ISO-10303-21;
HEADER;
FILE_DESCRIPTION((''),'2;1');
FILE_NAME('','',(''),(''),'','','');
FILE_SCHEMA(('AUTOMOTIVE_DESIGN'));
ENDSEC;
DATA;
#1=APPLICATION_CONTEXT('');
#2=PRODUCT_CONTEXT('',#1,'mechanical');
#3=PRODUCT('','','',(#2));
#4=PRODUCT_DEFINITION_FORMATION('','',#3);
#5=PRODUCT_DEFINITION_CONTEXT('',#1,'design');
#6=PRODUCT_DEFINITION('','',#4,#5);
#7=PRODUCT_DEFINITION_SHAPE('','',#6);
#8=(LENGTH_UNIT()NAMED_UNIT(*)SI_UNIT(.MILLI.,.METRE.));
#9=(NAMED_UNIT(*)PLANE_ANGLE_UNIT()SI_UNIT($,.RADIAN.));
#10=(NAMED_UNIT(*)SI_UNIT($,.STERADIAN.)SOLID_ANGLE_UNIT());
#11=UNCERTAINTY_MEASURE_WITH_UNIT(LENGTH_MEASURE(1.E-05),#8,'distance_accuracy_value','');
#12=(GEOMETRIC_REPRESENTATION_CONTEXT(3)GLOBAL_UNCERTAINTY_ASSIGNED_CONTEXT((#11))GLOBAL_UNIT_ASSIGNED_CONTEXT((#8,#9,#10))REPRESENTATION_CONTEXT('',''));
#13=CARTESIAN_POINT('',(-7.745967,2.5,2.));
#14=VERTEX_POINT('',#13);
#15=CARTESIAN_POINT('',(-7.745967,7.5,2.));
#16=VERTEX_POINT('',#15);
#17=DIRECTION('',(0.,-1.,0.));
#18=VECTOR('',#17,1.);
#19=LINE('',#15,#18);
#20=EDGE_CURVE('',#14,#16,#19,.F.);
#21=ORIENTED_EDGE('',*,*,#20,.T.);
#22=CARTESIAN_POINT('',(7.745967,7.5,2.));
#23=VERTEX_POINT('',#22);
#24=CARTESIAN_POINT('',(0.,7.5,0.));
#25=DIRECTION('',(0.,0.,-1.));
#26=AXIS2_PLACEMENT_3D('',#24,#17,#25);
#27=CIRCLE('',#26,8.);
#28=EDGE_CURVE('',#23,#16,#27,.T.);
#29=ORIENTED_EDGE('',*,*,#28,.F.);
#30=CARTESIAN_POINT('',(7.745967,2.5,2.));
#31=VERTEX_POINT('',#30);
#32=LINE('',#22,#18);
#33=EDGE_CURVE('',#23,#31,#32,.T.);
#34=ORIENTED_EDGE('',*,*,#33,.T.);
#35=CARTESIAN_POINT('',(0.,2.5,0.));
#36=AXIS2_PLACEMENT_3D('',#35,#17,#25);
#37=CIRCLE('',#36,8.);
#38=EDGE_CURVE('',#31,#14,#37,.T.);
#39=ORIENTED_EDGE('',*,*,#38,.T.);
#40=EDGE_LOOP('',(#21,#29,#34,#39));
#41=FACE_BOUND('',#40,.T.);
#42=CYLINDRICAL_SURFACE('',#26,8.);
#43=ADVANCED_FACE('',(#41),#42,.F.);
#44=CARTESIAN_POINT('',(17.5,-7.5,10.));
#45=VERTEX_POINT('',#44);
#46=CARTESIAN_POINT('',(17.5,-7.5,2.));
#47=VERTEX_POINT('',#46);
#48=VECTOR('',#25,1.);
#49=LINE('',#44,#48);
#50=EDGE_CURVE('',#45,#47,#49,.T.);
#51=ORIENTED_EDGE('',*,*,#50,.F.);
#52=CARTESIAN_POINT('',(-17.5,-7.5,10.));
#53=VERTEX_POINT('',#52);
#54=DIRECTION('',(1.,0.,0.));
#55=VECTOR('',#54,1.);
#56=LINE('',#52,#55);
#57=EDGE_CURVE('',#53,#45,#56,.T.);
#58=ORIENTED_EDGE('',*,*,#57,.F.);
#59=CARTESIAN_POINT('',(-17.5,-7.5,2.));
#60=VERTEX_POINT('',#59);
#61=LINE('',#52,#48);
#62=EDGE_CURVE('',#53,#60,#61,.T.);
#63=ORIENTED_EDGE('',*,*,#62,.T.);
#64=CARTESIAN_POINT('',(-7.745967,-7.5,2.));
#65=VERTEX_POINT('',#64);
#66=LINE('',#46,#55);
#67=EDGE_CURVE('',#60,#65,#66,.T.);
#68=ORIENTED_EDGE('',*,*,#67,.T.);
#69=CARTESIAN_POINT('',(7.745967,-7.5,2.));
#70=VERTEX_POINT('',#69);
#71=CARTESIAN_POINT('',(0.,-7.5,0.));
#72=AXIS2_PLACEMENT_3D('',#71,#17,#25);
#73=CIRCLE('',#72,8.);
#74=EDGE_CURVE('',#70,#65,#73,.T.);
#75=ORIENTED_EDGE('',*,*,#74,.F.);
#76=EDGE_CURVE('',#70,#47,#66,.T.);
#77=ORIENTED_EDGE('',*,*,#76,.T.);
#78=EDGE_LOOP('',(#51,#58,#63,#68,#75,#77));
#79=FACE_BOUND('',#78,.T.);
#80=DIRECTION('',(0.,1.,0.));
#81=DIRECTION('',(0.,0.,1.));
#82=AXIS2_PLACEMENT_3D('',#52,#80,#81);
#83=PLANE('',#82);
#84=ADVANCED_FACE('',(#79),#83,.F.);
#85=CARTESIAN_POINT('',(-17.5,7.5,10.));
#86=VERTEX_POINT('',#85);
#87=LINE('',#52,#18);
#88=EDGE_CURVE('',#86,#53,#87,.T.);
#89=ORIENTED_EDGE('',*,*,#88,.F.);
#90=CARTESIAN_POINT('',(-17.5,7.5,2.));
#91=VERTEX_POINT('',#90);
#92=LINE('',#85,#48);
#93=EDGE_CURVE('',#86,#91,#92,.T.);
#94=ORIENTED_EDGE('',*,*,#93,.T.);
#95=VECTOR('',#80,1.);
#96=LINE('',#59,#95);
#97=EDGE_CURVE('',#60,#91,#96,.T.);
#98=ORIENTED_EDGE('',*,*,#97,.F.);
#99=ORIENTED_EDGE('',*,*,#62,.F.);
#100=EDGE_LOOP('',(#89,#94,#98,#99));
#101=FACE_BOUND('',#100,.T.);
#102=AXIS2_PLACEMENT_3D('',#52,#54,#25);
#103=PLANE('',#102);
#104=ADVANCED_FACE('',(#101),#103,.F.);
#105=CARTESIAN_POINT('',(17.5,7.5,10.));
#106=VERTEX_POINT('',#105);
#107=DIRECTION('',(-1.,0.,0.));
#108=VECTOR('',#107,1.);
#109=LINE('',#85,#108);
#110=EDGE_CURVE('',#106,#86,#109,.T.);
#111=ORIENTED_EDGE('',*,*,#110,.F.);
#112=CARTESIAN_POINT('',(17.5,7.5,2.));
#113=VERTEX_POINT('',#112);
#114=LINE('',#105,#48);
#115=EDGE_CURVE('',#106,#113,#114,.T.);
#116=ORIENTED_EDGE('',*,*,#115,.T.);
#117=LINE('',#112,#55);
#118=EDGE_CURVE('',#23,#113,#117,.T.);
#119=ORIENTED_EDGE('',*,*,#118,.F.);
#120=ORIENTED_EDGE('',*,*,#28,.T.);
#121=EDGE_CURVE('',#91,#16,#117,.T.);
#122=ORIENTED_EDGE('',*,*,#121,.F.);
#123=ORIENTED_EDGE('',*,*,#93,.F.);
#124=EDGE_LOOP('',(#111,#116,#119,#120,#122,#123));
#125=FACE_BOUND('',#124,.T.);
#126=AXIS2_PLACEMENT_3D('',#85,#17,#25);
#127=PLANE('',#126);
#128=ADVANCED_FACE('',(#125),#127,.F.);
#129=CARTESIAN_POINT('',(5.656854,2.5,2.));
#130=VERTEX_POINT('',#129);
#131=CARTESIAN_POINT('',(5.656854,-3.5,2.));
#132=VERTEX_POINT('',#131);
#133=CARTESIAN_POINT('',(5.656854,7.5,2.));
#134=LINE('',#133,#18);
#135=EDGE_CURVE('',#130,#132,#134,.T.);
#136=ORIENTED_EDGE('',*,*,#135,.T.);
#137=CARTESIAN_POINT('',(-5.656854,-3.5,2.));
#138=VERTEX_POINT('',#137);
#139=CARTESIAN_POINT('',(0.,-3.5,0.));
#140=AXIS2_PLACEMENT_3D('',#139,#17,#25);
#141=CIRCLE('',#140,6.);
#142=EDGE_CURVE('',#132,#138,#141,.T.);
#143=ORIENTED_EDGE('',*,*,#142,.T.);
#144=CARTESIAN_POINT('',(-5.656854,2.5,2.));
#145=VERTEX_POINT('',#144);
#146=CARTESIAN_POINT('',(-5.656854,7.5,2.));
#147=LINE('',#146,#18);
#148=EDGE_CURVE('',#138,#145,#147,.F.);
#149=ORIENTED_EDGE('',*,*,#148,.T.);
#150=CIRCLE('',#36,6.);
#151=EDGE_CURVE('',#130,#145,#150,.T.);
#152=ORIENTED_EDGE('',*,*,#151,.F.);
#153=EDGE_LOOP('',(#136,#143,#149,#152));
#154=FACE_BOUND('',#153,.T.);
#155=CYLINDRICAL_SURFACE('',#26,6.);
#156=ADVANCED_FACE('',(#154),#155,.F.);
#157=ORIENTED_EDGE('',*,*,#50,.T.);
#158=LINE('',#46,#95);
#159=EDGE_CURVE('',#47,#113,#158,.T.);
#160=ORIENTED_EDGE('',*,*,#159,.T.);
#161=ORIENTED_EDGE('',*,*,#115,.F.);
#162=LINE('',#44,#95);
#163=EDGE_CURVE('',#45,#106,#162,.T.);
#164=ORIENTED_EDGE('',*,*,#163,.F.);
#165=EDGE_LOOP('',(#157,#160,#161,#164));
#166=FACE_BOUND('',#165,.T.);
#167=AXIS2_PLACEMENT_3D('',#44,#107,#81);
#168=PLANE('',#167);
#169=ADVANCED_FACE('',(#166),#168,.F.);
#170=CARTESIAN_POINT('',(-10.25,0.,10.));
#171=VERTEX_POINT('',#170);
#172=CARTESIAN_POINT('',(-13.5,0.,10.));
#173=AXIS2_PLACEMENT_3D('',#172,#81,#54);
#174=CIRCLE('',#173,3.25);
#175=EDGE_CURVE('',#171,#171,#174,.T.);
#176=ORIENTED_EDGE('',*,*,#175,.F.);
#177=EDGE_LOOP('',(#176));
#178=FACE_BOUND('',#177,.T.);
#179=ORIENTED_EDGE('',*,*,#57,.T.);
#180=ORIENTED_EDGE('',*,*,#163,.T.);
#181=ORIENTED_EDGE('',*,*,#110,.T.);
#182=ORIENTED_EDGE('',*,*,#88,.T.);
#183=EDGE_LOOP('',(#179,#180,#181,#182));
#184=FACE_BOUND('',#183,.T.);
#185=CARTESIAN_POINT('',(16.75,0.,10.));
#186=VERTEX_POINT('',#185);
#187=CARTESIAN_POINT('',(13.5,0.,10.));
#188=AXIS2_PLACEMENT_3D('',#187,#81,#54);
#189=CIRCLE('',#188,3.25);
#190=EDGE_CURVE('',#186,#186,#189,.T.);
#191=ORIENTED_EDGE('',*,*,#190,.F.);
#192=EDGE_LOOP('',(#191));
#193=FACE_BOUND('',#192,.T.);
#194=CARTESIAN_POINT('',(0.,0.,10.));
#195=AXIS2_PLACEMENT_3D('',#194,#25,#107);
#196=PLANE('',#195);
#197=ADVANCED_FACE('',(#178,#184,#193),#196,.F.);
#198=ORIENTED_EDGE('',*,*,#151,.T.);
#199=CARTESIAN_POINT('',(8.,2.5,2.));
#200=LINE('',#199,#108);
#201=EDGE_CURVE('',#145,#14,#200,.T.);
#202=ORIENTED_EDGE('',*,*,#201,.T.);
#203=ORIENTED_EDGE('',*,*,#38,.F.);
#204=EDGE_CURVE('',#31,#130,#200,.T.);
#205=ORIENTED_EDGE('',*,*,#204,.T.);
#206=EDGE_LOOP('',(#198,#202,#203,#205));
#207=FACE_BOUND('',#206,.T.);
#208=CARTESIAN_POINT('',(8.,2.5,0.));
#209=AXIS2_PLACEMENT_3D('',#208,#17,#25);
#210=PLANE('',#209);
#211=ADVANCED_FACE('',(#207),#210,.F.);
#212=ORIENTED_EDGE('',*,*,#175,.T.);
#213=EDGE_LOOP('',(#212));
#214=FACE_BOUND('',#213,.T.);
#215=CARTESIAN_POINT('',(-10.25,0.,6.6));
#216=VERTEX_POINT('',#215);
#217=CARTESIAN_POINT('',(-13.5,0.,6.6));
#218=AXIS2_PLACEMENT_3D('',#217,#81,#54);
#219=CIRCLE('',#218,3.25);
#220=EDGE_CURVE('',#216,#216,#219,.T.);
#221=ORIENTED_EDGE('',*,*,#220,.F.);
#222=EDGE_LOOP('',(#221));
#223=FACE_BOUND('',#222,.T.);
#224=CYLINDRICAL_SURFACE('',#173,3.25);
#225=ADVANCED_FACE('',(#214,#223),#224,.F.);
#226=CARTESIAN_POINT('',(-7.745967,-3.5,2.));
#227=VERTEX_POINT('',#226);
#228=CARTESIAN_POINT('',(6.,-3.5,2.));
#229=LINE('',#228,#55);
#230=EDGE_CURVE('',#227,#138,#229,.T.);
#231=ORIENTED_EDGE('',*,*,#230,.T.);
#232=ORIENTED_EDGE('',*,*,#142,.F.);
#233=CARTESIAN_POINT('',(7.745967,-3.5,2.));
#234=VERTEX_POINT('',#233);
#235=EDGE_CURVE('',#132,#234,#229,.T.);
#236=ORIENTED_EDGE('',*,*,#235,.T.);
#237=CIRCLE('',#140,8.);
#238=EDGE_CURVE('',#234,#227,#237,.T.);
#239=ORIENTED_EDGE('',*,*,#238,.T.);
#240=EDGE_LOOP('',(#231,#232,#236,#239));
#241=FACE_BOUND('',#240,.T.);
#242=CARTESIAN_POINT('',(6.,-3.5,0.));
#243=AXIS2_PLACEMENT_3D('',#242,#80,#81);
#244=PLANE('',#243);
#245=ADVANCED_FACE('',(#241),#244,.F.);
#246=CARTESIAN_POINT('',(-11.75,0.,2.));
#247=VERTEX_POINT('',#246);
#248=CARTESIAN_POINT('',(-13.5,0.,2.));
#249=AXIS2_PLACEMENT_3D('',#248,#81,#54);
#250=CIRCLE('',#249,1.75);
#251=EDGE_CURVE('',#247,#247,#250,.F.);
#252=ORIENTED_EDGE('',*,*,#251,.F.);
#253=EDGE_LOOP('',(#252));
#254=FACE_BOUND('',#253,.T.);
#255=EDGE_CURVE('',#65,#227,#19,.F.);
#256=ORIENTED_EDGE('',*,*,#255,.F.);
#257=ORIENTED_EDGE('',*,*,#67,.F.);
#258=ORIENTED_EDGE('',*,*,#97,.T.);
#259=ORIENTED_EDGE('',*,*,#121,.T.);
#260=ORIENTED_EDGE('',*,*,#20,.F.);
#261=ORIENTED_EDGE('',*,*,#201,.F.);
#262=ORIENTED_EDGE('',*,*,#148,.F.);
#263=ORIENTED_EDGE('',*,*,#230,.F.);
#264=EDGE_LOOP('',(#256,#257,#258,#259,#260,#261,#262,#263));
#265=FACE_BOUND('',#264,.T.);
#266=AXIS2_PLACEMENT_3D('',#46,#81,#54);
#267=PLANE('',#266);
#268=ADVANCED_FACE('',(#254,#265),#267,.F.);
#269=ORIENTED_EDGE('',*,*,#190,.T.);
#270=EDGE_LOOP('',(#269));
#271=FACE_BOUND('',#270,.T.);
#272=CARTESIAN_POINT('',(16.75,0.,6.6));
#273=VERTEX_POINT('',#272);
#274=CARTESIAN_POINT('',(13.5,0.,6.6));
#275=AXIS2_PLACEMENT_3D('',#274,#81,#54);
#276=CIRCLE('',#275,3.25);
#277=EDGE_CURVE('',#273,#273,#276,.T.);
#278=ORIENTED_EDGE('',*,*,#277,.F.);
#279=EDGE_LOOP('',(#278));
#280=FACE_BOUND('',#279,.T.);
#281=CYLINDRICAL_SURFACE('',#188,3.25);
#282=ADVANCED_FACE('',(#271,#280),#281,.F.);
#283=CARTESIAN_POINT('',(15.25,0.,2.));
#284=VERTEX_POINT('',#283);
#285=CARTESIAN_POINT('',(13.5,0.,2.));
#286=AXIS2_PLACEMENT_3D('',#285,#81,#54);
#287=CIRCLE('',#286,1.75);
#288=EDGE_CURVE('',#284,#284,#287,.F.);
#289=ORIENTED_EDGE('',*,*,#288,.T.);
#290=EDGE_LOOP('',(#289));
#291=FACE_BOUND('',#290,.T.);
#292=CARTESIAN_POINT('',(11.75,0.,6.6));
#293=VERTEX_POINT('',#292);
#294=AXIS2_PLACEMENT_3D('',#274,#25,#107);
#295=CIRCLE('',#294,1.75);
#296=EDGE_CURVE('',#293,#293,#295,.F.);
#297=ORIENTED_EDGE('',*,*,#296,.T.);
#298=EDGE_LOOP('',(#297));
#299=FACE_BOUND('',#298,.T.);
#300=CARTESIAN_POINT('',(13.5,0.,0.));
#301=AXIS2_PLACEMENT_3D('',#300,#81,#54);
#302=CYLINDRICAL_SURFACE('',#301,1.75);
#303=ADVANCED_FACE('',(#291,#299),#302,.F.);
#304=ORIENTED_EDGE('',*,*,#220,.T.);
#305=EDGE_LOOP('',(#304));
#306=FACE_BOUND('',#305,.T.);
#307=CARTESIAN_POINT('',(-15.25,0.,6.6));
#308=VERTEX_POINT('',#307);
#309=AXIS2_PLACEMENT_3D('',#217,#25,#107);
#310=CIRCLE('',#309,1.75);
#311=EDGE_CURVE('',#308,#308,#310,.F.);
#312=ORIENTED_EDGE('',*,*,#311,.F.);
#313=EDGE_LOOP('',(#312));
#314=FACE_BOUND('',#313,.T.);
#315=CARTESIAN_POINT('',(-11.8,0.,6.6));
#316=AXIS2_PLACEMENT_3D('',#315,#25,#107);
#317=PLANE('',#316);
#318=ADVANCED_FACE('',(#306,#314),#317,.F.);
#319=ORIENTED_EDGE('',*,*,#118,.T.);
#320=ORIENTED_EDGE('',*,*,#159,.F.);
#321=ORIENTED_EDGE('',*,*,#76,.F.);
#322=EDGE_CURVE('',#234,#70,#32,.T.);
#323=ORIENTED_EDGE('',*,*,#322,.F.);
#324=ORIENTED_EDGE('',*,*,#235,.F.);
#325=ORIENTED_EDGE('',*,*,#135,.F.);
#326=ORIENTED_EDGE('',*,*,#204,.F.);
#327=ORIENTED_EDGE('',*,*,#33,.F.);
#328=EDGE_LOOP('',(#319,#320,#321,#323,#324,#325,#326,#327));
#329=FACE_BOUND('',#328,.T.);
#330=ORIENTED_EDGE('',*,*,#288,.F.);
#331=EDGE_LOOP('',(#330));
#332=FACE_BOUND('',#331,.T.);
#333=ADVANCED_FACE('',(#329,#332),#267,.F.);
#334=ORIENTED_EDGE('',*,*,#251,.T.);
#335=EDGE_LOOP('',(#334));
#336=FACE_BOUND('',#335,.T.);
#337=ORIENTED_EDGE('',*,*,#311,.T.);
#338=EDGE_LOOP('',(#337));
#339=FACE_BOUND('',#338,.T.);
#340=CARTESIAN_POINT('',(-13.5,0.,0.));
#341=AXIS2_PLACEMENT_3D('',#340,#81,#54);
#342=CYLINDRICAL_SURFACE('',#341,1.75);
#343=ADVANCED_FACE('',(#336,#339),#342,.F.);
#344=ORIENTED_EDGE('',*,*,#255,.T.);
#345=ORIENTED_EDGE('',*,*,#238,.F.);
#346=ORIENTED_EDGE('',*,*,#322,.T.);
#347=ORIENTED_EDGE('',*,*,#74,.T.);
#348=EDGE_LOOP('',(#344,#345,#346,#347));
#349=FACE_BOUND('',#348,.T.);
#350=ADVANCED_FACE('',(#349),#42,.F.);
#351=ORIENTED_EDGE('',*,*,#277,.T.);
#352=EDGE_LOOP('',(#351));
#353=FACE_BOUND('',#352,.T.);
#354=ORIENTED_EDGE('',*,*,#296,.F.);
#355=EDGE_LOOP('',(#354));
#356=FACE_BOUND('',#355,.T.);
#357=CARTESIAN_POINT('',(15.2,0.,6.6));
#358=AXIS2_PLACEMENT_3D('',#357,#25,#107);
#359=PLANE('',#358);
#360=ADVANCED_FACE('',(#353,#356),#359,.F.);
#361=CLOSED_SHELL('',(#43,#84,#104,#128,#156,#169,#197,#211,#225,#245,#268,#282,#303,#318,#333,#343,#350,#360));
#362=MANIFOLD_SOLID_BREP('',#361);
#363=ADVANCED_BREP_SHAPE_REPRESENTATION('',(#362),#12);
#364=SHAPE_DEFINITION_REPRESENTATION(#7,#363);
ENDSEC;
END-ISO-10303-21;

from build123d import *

# Parameters (mm, degrees)
SKETCH1_W                                           = 35
SKETCH1_H                                           = 15
BOSS_EXTRUDE1_DEPTH                                 = 10
CUT_REVOLVE1_ANGLE                                  = 180
SKETCH3_R                                           = 1.75
CUT_EXTRUDE1_DEPTH                                  = 22.505813168
CBORE_FOR_M3_HEX_SOCKET_HEAD_CAP_SCREW1_D           = 3.4
CBORE_FOR_M3_HEX_SOCKET_HEAD_CAP_SCREW1_CBORE_D     = 6.5
CBORE_FOR_M3_HEX_SOCKET_HEAD_CAP_SCREW1_CBORE_DEPTH = 3.4
SKETCH6_W                                           = 35
SKETCH6_H                                           = 4
CUT_EXTRUDE2_DEPTH                                  = 26.124689053


with BuildPart() as part:
    # Sketch1 → Boss-Extrude1 (new body)
    with BuildSketch(Plane.XY):
        Rectangle(SKETCH1_W, SKETCH1_H)
    extrude(amount=BOSS_EXTRUDE1_DEPTH)

    # Sketch2 → Cut-Revolve1 (revolve, cut)
    with BuildSketch(Plane(origin=(0, 0, 0), x_dir=(-1, 0, 0), z_dir=(0, 0, -1))):
        Polygon((0, 7.5), (8, 7.5), (8, 2.5), (6, 2.5), (6, -3.5), (8, -3.5), (8, -7.5), (0, -7.5), align=None)
    revolve(axis=Axis((0, 7.5, 0), (0, 1, 0)), revolution_arc=CUT_REVOLVE1_ANGLE, mode=Mode.SUBTRACT)

    # Sketch3 → Cut-Extrude1 (cut, through all)
    with BuildSketch(Plane.XY.offset(10)):
        with Locations((-13.5, 0)):
            Circle(SKETCH3_R)
        with Locations((13.5, 0)):
            Circle(SKETCH3_R)
    extrude(amount=-CUT_EXTRUDE1_DEPTH, mode=Mode.SUBTRACT)

    # CBORE for M3 Hex Socket Head Cap Screw1 (through all)
    with Locations(Plane.XY.offset(10)):
        with Locations((-13.5, 0), (13.5, 0)):
            CounterBoreHole(CBORE_FOR_M3_HEX_SOCKET_HEAD_CAP_SCREW1_D / 2, CBORE_FOR_M3_HEX_SOCKET_HEAD_CAP_SCREW1_CBORE_D / 2, CBORE_FOR_M3_HEX_SOCKET_HEAD_CAP_SCREW1_CBORE_DEPTH)

    # Sketch6 → Cut-Extrude2 (cut, through all)
    with BuildSketch(Plane(origin=(0, 7.5, 0), x_dir=(1, 0, 0), z_dir=(0, 1, 0))):
        Rectangle(SKETCH6_W, SKETCH6_H)
    extrude(amount=-CUT_EXTRUDE2_DEPTH, mode=Mode.SUBTRACT)


solid = part.part
